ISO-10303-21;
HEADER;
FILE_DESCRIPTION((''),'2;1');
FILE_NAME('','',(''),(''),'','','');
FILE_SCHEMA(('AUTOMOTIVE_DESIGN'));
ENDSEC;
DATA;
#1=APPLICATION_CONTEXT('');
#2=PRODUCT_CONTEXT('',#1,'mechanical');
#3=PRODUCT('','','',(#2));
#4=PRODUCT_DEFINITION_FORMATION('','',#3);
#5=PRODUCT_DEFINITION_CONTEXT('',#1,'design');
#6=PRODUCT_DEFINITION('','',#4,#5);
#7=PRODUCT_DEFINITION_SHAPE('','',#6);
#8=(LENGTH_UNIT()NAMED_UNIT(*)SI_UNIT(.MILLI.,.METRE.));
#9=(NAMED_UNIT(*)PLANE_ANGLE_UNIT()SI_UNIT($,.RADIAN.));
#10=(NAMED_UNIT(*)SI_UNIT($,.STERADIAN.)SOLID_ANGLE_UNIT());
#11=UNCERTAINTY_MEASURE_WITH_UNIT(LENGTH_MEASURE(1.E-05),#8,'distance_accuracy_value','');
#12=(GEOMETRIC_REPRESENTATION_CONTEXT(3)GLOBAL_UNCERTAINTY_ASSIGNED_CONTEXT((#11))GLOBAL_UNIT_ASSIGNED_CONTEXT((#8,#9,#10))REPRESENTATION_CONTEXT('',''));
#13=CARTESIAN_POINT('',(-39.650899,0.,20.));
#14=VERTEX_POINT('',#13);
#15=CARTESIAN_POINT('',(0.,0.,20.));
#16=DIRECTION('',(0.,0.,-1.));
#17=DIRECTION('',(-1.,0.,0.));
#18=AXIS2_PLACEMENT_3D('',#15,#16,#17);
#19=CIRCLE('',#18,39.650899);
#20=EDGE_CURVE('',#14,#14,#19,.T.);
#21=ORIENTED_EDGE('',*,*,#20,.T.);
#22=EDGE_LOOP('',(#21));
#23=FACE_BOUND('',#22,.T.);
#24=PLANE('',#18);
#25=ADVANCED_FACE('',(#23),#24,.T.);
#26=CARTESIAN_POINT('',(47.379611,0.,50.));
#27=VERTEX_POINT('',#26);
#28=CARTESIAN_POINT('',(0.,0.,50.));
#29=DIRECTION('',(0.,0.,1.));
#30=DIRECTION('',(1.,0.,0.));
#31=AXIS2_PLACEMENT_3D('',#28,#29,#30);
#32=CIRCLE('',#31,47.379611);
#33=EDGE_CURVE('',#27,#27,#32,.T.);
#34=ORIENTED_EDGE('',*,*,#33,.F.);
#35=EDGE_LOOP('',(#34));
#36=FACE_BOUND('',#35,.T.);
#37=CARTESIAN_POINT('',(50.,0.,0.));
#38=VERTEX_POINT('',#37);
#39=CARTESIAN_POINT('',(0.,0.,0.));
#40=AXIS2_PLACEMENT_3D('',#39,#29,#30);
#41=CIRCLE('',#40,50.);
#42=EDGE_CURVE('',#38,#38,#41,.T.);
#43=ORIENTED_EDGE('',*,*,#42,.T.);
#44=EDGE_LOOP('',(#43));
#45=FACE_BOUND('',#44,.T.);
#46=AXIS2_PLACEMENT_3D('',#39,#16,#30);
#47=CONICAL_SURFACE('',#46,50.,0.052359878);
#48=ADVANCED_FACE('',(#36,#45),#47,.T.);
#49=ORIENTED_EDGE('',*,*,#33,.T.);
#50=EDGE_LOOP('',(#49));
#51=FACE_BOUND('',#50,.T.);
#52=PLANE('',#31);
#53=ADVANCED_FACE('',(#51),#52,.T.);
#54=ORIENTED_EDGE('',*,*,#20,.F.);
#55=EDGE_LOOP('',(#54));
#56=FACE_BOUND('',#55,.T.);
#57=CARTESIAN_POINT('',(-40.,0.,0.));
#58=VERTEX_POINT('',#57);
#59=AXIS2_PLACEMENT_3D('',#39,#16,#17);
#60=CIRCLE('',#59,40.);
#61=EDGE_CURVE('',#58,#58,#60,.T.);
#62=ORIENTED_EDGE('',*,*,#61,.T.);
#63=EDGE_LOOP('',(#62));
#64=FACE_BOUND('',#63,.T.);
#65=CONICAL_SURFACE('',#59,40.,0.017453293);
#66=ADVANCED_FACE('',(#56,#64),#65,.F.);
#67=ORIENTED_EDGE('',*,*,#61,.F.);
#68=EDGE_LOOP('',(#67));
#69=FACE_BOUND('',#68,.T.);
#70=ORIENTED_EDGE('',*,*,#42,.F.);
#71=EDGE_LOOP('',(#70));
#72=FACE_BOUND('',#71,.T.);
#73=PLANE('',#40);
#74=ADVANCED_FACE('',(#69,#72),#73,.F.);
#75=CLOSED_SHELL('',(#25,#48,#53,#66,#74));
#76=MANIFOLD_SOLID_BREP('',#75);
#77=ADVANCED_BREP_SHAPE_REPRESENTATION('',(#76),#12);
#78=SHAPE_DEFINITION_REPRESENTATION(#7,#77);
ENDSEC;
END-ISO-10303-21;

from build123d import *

# Parameters (mm, degrees)
SZKIC1_R                    = 50
DODANIE_WYCI_GNI_CIE1_DEPTH = 50
DODANIE_WYCI_GNI_CIE1_TAPER = 3
SZKIC2_R                    = 40
WYTNIJ_WYCI_GNI_CIE1_DEPTH  = 20
WYTNIJ_WYCI_GNI_CIE1_DRAFT  = -1


with BuildPart() as part:
    # Szkic1 → Dodanie-wyciągnięcie1 (new body)
    with BuildSketch(Plane.XY):
        Circle(SZKIC1_R)
    extrude(amount=DODANIE_WYCI_GNI_CIE1_DEPTH, taper=DODANIE_WYCI_GNI_CIE1_TAPER)


with BuildPart() as wytnij_wyci_gni_cie1_tool:
    # Szkic2 → Wytnij-wyciągnięcie1 (with draft: the straight prism first)
    with BuildSketch(Plane(origin=(0, 0, 0), x_dir=(-1, 0, 0), z_dir=(0, 0, -1))):
        Circle(SZKIC2_R)
    extrude(amount=-WYTNIJ_WYCI_GNI_CIE1_DEPTH)
    # Wytnij-wyciągnięcie1: the draft: its side faces are tilted about the plane it starts from
    wytnij_wyci_gni_cie1_sides = [wytnij_wyci_gni_cie1_tool.faces().sort_by_distance(p)[0] for p in [
        (40, 0, 10),
    ]]
    draft(wytnij_wyci_gni_cie1_sides, Plane(origin=(0, 0, 0), x_dir=(-1, 0, 0), z_dir=(0, 0, -1)), WYTNIJ_WYCI_GNI_CIE1_DRAFT)


with BuildPart() as part_1:
    add(part.part)

    # Wytnij-wyciągnięcie1: cut by wytnij_wyci_gni_cie1_tool
    add(wytnij_wyci_gni_cie1_tool.part, mode=Mode.SUBTRACT)


solid = part_1.part
